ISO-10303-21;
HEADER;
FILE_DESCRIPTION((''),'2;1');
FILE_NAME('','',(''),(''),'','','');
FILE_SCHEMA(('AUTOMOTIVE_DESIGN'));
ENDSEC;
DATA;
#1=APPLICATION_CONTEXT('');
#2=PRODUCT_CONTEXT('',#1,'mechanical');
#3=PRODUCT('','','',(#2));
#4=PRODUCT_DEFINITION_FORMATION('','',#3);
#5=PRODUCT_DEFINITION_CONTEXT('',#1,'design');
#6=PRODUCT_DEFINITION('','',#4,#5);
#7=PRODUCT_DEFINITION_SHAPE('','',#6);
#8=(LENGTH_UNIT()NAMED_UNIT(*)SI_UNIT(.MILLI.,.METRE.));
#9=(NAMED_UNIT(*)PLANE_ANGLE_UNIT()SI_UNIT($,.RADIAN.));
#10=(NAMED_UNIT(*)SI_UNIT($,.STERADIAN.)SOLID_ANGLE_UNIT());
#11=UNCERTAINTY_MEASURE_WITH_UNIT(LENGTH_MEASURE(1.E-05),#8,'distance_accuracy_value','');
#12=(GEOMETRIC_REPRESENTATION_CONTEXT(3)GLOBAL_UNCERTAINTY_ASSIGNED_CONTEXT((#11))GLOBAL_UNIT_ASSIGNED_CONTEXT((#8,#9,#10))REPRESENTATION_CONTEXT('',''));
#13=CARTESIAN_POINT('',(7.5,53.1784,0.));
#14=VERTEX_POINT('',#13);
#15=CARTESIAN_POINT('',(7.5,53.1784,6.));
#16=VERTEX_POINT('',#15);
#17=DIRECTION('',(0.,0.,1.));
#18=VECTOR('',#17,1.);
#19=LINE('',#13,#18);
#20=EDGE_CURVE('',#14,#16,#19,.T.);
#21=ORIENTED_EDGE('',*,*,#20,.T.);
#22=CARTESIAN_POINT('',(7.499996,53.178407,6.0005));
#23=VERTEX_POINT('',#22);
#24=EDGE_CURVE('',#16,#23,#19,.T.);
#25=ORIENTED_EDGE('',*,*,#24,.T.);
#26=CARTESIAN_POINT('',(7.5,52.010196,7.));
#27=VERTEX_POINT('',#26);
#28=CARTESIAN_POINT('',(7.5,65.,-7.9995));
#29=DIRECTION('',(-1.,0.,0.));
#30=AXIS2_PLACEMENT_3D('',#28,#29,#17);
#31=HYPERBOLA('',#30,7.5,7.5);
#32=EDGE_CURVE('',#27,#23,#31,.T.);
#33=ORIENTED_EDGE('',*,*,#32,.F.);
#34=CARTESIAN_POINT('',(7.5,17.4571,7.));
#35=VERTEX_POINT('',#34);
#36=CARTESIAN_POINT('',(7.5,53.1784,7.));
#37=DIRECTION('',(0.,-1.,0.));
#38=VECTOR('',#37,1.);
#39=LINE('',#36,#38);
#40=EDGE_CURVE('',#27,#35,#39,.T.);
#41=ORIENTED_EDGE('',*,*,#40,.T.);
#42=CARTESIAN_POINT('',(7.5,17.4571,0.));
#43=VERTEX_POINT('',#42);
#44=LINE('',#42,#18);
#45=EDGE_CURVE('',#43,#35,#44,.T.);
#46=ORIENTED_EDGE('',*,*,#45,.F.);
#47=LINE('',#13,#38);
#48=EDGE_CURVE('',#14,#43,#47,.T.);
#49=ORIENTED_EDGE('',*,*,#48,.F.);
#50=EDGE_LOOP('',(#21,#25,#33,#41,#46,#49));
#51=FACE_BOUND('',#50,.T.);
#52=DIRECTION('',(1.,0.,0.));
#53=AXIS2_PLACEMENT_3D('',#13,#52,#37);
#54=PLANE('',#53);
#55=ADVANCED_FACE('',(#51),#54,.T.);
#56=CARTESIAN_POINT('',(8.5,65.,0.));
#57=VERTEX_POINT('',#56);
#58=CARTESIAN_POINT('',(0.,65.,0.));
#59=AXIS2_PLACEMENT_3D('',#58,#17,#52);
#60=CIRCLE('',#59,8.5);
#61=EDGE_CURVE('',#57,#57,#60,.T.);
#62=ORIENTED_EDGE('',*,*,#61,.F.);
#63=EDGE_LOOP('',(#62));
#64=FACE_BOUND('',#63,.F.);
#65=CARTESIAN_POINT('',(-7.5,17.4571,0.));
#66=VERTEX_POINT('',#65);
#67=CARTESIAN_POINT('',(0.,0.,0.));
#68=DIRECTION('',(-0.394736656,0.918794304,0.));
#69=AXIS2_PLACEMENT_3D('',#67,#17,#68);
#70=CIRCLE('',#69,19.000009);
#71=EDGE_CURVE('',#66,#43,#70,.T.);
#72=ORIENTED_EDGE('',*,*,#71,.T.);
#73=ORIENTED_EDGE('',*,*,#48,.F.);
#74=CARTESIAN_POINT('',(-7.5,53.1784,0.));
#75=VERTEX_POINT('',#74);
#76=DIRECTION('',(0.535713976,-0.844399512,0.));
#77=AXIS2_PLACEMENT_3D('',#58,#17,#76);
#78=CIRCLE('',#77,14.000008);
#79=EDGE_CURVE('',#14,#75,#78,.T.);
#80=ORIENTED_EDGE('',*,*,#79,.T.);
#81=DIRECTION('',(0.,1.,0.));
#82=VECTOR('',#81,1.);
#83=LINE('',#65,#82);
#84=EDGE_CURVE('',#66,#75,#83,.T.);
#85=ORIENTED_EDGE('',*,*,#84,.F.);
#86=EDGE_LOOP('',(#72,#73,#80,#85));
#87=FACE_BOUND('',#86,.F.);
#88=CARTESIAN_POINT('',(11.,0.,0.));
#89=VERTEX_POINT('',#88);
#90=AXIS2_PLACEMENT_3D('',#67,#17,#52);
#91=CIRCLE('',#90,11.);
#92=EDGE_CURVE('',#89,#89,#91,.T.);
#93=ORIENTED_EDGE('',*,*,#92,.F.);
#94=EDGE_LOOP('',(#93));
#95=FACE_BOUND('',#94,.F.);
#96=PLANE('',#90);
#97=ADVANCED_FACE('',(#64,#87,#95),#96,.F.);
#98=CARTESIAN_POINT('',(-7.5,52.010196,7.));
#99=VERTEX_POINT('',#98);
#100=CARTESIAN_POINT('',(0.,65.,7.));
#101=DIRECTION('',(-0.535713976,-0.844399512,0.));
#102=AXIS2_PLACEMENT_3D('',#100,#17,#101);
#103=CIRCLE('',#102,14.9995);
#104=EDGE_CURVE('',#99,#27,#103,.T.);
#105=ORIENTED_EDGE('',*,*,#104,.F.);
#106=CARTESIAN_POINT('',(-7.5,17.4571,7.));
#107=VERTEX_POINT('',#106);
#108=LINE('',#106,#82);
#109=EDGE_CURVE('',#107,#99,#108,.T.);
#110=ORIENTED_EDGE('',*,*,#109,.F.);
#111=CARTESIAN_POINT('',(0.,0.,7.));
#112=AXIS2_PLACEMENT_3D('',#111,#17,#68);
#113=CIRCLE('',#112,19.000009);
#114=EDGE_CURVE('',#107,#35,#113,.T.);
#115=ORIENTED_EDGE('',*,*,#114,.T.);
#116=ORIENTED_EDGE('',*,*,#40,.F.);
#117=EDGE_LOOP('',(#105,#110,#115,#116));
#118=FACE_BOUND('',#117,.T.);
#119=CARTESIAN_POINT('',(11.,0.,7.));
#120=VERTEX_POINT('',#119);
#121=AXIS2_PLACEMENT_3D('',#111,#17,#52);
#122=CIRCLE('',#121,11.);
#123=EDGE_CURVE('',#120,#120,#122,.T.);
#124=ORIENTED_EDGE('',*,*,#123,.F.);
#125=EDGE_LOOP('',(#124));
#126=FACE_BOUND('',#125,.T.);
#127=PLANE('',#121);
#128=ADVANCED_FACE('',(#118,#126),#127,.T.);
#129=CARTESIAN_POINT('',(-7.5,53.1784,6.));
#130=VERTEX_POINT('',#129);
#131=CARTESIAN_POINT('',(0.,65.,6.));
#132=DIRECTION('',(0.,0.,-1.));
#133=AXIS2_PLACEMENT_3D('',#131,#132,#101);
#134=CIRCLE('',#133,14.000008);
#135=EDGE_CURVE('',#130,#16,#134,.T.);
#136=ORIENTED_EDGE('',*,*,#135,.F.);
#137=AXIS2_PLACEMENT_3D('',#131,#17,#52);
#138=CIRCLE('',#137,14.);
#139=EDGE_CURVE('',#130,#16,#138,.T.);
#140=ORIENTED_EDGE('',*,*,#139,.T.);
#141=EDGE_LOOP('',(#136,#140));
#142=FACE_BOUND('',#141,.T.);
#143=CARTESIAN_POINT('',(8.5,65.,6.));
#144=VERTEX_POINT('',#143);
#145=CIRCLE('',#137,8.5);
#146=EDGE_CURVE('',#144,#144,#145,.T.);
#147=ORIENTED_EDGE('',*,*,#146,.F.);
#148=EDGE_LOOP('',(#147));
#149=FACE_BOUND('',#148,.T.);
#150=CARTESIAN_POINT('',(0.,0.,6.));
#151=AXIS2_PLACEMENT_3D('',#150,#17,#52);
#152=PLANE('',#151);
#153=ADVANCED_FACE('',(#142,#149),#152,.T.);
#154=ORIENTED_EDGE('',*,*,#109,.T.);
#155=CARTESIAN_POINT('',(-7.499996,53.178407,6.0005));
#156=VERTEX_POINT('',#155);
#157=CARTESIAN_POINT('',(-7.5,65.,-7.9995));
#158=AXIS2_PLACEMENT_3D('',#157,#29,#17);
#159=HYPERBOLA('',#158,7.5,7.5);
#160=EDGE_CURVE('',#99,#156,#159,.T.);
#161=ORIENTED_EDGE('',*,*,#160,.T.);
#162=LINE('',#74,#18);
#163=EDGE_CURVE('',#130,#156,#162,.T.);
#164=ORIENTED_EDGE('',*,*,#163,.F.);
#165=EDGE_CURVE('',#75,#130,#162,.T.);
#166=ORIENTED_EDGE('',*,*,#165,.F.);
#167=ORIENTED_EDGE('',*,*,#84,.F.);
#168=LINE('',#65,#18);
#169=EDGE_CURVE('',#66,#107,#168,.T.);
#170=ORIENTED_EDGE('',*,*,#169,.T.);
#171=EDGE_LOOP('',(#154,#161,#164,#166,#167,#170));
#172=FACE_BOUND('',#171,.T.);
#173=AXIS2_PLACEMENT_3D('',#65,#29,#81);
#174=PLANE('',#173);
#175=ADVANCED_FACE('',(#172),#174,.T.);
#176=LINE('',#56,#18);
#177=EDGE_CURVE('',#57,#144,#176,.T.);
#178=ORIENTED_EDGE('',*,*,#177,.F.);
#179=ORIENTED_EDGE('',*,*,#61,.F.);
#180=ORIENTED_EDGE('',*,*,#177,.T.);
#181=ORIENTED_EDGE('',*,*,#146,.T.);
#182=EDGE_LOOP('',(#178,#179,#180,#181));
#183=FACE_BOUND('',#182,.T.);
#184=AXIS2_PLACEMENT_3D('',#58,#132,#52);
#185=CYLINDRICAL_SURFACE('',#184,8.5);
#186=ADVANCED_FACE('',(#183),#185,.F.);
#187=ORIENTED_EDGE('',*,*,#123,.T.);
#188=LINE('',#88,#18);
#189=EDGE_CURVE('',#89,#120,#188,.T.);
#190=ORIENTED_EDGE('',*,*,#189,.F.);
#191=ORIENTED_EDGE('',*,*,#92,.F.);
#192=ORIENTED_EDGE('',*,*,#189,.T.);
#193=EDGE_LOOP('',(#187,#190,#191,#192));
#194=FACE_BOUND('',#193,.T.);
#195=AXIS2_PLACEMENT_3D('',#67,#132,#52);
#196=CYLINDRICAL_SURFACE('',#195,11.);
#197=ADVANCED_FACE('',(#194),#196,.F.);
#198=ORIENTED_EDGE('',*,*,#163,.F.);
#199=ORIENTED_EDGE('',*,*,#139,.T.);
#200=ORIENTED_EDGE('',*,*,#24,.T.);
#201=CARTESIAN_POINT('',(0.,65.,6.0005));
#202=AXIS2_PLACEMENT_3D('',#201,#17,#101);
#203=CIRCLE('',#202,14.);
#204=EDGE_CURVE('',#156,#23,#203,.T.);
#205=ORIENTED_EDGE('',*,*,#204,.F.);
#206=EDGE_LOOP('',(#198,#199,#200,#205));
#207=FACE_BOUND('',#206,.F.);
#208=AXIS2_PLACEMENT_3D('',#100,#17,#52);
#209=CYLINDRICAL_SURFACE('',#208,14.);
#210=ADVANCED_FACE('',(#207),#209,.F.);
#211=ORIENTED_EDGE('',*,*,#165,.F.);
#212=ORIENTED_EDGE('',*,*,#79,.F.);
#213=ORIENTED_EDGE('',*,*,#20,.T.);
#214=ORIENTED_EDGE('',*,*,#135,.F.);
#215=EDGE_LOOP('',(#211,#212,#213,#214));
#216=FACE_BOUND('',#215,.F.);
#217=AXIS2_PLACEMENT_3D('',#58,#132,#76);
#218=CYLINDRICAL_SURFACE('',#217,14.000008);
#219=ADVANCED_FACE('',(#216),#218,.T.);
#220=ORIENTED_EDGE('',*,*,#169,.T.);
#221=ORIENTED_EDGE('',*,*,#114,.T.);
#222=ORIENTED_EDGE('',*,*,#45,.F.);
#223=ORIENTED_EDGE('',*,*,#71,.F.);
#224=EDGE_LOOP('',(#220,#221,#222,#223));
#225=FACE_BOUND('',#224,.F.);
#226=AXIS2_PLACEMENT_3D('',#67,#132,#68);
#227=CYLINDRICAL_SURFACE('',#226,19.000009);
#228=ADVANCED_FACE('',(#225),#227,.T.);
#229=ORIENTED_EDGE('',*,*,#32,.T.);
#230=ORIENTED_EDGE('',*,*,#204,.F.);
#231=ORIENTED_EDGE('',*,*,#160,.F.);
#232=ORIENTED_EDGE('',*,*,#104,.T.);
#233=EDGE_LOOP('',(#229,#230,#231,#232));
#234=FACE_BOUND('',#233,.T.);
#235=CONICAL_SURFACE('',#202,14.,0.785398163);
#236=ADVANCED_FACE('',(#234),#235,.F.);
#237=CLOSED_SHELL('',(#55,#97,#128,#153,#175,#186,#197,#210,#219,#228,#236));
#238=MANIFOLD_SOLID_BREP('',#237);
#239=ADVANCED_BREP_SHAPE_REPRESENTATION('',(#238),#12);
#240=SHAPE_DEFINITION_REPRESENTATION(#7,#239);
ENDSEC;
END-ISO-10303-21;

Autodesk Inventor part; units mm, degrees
ref_plane "YZ Plane" through (0, 0, 0) normal (1, 0, 0) x (0, 1, 0)
ref_plane "XZ Plane" through (0, 0, 0) normal (0, 1, 0) x (-1, 0, 0)
ref_plane "XY Plane" through (0, 0, 0) normal (0, 0, 1) x (1, 0, 0)
sketch "Sketch1" plane through (0, 0, 0) normal (0, 0, 1) x (1, 0, 0)
  line L0 (0, 0) -> (0, 65) construction
  circle A0 centre (0, 0) radius 11
  circle A1 centre (0, 65) radius 8.5
  line L1 (7.5, 17.4571) -> (-7.5, 17.4571)
  line L2 (-7.5, 17.4571) -> (-7.5, 53.1784)
  line L3 (-7.5, 53.1784) -> (7.5, 53.1784)
  line L4 (7.5, 53.1784) -> (7.5, 17.4571)
  line L5 (7.5, 17.4571) -> (-7.5, 53.1784) construction
  line L6 (-7.5, 17.4571) -> (7.5, 53.1784) construction
  arc A2 (7.5, 53.1784) -> (-7.5, 53.1784) centre (0, 65) ccw
  arc A3 (-7.5, 17.4571) -> (7.5, 17.4571) centre (0, 0) ccw
  point P0 (0, 35.3177)
  point P1 (0, 35.3177)
  dimension "d0" = 22
  dimension "d1" = 17
  dimension "d2" = 65
  dimension "d3" = 5.5
  dimension "d4" = 8
  dimension "d5" = 15
extrude "Extrusion1" add sketch "Sketch1" along normal blind 7
sketch "Sketch2" plane through (0, 0, 7) normal (0, 0, 1) x (1, 0, 0)
  circle A0 centre (0, 65) radius 8.5 projected
  arc A1 (7.5, 53.1784) -> (-7.5, 53.1784) centre (0, 65) ccw projected
  circle A2 centre (0, 65) radius 14
extrude "Extrusion2" cut sketch "Sketch2" against normal blind 1
chamfer "Chamfer1" distance 1 angle 45 1 edges at (0, 51, 7)
properties part number "con rod"
